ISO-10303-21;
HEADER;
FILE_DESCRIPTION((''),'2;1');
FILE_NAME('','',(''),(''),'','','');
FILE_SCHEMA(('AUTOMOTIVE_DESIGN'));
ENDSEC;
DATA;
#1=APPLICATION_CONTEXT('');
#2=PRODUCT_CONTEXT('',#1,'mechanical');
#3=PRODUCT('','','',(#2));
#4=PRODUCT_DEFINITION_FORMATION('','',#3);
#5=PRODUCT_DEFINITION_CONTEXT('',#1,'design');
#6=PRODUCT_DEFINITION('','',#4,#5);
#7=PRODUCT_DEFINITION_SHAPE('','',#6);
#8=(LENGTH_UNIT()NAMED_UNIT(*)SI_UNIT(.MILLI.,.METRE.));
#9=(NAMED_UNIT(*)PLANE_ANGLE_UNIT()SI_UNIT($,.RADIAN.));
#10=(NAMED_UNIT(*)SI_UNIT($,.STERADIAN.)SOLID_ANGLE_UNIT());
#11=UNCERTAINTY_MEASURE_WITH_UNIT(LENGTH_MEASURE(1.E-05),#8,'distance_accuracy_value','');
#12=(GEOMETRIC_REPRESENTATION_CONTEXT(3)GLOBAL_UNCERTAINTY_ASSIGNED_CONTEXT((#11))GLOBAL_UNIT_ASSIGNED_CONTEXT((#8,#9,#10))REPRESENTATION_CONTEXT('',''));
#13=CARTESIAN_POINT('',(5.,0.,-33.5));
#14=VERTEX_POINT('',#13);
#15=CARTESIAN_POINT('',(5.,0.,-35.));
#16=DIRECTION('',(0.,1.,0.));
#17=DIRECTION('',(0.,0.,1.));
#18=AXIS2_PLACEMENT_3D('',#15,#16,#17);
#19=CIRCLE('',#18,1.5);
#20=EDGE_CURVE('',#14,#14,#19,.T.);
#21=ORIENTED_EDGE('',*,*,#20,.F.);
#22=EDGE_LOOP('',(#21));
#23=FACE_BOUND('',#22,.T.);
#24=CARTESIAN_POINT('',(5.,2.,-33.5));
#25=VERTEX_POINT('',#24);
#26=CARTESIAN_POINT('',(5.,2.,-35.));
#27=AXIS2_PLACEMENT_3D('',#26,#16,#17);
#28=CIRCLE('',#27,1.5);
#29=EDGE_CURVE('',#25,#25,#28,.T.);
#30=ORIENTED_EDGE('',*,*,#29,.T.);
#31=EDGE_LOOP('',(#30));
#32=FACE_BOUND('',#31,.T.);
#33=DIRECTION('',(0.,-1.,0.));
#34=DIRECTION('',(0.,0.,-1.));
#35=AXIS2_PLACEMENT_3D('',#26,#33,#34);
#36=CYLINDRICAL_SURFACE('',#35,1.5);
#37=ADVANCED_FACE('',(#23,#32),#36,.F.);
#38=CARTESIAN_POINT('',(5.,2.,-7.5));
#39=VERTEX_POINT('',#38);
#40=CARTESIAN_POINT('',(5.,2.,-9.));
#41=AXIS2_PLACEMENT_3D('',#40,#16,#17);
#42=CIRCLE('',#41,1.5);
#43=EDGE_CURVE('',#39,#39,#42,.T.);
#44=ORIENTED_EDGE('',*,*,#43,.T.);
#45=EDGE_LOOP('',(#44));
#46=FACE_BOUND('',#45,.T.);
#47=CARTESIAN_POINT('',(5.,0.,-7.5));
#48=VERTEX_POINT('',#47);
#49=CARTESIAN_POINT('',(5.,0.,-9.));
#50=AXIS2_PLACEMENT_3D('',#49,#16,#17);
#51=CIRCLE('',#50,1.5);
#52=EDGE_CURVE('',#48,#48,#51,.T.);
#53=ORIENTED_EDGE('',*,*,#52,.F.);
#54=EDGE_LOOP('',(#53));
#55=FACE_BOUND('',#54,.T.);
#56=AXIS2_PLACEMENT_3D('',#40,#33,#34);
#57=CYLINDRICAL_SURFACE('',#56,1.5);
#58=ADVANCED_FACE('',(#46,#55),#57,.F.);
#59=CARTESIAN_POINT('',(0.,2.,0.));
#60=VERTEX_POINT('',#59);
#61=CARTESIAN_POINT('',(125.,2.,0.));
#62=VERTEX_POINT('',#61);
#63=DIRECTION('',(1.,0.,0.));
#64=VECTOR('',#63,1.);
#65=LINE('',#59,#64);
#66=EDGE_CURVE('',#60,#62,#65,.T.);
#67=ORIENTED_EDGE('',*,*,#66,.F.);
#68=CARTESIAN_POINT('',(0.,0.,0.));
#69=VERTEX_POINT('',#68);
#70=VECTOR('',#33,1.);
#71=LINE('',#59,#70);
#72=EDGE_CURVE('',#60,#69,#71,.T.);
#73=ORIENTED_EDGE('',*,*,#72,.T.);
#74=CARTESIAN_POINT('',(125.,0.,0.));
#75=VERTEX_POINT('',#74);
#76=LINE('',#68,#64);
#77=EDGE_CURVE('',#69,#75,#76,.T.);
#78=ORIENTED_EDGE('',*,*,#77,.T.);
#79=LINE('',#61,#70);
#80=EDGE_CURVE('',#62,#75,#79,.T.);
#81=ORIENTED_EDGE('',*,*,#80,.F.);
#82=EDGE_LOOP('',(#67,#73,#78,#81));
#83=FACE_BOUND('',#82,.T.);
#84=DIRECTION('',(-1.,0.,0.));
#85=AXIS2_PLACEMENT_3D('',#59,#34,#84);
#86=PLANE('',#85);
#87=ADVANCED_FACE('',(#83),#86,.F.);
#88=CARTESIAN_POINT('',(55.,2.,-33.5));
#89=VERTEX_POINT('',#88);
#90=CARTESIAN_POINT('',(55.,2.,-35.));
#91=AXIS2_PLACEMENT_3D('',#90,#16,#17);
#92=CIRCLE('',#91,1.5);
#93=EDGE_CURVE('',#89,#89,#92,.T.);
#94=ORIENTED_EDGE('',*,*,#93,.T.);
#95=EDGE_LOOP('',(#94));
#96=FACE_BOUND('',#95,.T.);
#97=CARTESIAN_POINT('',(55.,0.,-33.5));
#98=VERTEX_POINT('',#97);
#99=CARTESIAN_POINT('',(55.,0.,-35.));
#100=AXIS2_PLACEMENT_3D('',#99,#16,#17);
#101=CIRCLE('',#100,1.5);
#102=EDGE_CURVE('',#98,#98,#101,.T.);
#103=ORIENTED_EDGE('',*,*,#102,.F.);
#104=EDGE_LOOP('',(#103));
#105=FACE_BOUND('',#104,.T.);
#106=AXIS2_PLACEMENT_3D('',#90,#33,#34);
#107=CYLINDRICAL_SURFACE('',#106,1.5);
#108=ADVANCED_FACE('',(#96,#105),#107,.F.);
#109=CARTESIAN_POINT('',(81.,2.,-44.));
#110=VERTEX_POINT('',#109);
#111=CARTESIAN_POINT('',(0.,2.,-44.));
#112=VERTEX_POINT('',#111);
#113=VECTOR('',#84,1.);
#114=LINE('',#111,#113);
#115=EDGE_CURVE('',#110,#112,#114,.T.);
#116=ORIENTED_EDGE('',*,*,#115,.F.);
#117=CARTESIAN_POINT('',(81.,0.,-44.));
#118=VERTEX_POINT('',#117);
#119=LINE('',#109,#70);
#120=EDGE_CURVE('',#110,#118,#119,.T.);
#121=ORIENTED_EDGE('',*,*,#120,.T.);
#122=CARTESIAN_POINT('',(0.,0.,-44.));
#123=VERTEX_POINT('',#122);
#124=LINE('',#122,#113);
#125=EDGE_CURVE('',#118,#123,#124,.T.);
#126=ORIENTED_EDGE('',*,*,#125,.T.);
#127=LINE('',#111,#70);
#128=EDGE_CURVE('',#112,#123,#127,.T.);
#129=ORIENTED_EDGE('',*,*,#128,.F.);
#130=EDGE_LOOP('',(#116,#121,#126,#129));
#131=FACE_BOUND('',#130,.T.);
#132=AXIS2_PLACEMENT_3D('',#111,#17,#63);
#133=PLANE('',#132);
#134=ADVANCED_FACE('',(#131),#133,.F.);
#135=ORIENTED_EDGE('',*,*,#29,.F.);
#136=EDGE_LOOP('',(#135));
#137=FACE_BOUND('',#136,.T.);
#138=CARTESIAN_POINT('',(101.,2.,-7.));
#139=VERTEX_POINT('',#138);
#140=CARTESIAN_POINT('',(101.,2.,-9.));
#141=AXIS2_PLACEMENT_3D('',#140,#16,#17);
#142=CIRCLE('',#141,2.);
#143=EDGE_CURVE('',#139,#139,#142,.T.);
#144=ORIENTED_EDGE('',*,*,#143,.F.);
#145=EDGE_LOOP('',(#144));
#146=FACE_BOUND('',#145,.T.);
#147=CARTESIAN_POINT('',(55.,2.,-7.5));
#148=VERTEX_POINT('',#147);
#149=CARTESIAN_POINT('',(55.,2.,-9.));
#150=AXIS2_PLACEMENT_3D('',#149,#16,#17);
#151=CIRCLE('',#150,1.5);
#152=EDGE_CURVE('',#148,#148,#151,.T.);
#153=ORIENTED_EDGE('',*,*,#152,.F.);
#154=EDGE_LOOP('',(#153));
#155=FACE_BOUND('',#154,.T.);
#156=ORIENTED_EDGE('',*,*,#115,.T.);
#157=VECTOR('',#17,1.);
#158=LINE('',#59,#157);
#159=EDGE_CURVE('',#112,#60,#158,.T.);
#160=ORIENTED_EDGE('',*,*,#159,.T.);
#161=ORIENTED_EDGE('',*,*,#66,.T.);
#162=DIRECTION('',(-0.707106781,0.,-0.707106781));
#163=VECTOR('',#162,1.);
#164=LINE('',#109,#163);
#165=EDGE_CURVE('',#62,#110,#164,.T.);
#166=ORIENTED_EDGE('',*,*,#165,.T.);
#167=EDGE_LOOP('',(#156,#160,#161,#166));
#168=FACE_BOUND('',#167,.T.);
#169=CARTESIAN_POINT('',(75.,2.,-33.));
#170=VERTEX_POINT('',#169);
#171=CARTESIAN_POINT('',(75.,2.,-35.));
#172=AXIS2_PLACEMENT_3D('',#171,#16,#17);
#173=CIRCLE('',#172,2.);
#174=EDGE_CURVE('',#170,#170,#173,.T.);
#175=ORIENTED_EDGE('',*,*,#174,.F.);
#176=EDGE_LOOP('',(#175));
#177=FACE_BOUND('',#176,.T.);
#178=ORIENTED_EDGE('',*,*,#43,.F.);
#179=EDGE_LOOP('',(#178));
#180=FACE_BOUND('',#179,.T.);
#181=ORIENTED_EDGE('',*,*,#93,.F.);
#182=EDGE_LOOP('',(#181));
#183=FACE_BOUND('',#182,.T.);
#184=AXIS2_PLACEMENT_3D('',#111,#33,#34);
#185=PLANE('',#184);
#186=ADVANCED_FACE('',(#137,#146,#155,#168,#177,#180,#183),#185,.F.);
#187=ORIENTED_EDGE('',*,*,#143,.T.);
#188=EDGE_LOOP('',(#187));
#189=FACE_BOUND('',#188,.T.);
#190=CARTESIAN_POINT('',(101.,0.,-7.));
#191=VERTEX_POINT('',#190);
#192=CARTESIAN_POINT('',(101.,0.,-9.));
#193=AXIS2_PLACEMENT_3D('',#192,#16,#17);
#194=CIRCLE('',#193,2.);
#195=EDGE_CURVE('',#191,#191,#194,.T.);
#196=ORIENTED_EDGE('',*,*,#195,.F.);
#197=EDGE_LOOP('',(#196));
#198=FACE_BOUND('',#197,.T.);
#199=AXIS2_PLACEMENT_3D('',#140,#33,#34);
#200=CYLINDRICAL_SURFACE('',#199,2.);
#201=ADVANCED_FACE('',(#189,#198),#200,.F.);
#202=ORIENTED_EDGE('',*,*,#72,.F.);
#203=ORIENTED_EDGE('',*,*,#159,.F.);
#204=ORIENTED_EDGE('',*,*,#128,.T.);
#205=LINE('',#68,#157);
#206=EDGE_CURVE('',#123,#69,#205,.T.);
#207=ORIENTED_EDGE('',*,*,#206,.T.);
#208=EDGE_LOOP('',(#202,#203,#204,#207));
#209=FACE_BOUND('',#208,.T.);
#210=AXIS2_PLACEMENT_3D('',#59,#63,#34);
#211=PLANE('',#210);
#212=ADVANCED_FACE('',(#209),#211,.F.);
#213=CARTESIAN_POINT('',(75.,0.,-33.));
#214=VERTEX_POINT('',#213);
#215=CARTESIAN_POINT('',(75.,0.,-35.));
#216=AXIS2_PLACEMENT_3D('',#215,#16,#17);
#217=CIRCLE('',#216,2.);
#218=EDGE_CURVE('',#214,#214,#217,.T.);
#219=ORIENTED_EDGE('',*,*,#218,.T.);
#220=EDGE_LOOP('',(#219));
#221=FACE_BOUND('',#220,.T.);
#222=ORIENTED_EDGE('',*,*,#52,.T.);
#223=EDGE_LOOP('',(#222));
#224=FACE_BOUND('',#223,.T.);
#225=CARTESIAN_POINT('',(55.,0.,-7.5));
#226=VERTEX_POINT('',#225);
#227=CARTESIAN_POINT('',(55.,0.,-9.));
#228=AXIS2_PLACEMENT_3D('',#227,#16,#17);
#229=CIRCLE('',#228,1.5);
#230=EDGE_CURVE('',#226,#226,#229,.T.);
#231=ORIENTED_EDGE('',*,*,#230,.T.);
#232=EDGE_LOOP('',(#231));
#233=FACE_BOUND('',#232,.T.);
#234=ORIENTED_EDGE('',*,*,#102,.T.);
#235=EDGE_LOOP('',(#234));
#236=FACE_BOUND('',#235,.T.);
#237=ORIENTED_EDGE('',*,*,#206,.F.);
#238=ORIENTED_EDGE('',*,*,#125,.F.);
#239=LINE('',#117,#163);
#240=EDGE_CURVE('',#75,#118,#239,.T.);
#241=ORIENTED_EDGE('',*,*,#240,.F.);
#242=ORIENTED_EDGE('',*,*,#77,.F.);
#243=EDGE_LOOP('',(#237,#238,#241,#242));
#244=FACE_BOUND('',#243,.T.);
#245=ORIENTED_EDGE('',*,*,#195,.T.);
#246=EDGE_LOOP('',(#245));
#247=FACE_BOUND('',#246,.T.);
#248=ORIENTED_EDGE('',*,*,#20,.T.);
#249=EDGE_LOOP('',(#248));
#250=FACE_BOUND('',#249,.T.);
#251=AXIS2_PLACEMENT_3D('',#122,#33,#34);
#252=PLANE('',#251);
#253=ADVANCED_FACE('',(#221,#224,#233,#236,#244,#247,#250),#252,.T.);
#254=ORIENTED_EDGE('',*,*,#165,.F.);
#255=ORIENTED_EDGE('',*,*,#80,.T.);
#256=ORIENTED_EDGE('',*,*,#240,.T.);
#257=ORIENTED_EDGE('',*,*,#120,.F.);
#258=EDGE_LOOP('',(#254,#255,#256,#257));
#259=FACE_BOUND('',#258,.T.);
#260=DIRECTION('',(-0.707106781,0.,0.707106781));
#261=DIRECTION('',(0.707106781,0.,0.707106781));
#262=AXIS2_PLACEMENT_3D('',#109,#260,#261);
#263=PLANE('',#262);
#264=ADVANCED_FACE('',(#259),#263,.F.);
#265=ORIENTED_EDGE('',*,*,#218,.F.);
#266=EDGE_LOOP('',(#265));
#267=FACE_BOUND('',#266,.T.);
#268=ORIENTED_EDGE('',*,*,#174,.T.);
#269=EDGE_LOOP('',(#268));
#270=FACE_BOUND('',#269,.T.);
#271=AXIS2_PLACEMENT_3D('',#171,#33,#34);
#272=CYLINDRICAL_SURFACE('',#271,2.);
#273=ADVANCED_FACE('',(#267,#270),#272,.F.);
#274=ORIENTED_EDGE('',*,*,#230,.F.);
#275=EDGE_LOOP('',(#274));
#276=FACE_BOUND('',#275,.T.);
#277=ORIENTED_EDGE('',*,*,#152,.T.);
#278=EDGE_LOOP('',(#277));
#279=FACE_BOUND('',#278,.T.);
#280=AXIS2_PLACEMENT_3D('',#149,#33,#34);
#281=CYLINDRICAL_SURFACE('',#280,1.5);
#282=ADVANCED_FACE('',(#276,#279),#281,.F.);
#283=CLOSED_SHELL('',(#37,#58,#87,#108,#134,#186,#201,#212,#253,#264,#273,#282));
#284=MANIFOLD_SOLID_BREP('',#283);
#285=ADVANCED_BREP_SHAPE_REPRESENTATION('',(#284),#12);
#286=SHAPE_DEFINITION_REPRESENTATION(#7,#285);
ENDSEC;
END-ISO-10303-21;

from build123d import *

# Parameters (mm, degrees)
SKETCH1_R           = 1.5
SKETCH1_R_2         = 2
BOSS_EXTRUDE1_DEPTH = 2


with BuildPart() as part:
    # Sketch1 → Boss-Extrude1 (new body)
    with BuildSketch(Plane(origin=(0, 0, 0), x_dir=(1, 0, 0), z_dir=(0, 1, 0))):
        Polygon((81, 44), (125, 0), (0, 0), (0, 44), align=None)
        with Locations(Location((5, 35, 0), (0, 0, 270))):  # turned: the seam where the file's is
            Circle(SKETCH1_R, mode=Mode.SUBTRACT)
        with Locations(Location((5, 9, 0), (0, 0, 270))):  # turned: the seam where the file's is
            Circle(SKETCH1_R, mode=Mode.SUBTRACT)
        with Locations(Location((55, 9, 0), (0, 0, 270))):  # turned: the seam where the file's is
            Circle(SKETCH1_R, mode=Mode.SUBTRACT)
        with Locations(Location((55, 35, 0), (0, 0, 270))):  # turned: the seam where the file's is
            Circle(SKETCH1_R, mode=Mode.SUBTRACT)
        with Locations(Location((75, 35, 0), (0, 0, 270))):  # turned: the seam where the file's is
            Circle(SKETCH1_R_2, mode=Mode.SUBTRACT)
        with Locations(Location((101, 9, 0), (0, 0, 270))):  # turned: the seam where the file's is
            Circle(SKETCH1_R_2, mode=Mode.SUBTRACT)
    extrude(amount=BOSS_EXTRUDE1_DEPTH)


solid = part.part
